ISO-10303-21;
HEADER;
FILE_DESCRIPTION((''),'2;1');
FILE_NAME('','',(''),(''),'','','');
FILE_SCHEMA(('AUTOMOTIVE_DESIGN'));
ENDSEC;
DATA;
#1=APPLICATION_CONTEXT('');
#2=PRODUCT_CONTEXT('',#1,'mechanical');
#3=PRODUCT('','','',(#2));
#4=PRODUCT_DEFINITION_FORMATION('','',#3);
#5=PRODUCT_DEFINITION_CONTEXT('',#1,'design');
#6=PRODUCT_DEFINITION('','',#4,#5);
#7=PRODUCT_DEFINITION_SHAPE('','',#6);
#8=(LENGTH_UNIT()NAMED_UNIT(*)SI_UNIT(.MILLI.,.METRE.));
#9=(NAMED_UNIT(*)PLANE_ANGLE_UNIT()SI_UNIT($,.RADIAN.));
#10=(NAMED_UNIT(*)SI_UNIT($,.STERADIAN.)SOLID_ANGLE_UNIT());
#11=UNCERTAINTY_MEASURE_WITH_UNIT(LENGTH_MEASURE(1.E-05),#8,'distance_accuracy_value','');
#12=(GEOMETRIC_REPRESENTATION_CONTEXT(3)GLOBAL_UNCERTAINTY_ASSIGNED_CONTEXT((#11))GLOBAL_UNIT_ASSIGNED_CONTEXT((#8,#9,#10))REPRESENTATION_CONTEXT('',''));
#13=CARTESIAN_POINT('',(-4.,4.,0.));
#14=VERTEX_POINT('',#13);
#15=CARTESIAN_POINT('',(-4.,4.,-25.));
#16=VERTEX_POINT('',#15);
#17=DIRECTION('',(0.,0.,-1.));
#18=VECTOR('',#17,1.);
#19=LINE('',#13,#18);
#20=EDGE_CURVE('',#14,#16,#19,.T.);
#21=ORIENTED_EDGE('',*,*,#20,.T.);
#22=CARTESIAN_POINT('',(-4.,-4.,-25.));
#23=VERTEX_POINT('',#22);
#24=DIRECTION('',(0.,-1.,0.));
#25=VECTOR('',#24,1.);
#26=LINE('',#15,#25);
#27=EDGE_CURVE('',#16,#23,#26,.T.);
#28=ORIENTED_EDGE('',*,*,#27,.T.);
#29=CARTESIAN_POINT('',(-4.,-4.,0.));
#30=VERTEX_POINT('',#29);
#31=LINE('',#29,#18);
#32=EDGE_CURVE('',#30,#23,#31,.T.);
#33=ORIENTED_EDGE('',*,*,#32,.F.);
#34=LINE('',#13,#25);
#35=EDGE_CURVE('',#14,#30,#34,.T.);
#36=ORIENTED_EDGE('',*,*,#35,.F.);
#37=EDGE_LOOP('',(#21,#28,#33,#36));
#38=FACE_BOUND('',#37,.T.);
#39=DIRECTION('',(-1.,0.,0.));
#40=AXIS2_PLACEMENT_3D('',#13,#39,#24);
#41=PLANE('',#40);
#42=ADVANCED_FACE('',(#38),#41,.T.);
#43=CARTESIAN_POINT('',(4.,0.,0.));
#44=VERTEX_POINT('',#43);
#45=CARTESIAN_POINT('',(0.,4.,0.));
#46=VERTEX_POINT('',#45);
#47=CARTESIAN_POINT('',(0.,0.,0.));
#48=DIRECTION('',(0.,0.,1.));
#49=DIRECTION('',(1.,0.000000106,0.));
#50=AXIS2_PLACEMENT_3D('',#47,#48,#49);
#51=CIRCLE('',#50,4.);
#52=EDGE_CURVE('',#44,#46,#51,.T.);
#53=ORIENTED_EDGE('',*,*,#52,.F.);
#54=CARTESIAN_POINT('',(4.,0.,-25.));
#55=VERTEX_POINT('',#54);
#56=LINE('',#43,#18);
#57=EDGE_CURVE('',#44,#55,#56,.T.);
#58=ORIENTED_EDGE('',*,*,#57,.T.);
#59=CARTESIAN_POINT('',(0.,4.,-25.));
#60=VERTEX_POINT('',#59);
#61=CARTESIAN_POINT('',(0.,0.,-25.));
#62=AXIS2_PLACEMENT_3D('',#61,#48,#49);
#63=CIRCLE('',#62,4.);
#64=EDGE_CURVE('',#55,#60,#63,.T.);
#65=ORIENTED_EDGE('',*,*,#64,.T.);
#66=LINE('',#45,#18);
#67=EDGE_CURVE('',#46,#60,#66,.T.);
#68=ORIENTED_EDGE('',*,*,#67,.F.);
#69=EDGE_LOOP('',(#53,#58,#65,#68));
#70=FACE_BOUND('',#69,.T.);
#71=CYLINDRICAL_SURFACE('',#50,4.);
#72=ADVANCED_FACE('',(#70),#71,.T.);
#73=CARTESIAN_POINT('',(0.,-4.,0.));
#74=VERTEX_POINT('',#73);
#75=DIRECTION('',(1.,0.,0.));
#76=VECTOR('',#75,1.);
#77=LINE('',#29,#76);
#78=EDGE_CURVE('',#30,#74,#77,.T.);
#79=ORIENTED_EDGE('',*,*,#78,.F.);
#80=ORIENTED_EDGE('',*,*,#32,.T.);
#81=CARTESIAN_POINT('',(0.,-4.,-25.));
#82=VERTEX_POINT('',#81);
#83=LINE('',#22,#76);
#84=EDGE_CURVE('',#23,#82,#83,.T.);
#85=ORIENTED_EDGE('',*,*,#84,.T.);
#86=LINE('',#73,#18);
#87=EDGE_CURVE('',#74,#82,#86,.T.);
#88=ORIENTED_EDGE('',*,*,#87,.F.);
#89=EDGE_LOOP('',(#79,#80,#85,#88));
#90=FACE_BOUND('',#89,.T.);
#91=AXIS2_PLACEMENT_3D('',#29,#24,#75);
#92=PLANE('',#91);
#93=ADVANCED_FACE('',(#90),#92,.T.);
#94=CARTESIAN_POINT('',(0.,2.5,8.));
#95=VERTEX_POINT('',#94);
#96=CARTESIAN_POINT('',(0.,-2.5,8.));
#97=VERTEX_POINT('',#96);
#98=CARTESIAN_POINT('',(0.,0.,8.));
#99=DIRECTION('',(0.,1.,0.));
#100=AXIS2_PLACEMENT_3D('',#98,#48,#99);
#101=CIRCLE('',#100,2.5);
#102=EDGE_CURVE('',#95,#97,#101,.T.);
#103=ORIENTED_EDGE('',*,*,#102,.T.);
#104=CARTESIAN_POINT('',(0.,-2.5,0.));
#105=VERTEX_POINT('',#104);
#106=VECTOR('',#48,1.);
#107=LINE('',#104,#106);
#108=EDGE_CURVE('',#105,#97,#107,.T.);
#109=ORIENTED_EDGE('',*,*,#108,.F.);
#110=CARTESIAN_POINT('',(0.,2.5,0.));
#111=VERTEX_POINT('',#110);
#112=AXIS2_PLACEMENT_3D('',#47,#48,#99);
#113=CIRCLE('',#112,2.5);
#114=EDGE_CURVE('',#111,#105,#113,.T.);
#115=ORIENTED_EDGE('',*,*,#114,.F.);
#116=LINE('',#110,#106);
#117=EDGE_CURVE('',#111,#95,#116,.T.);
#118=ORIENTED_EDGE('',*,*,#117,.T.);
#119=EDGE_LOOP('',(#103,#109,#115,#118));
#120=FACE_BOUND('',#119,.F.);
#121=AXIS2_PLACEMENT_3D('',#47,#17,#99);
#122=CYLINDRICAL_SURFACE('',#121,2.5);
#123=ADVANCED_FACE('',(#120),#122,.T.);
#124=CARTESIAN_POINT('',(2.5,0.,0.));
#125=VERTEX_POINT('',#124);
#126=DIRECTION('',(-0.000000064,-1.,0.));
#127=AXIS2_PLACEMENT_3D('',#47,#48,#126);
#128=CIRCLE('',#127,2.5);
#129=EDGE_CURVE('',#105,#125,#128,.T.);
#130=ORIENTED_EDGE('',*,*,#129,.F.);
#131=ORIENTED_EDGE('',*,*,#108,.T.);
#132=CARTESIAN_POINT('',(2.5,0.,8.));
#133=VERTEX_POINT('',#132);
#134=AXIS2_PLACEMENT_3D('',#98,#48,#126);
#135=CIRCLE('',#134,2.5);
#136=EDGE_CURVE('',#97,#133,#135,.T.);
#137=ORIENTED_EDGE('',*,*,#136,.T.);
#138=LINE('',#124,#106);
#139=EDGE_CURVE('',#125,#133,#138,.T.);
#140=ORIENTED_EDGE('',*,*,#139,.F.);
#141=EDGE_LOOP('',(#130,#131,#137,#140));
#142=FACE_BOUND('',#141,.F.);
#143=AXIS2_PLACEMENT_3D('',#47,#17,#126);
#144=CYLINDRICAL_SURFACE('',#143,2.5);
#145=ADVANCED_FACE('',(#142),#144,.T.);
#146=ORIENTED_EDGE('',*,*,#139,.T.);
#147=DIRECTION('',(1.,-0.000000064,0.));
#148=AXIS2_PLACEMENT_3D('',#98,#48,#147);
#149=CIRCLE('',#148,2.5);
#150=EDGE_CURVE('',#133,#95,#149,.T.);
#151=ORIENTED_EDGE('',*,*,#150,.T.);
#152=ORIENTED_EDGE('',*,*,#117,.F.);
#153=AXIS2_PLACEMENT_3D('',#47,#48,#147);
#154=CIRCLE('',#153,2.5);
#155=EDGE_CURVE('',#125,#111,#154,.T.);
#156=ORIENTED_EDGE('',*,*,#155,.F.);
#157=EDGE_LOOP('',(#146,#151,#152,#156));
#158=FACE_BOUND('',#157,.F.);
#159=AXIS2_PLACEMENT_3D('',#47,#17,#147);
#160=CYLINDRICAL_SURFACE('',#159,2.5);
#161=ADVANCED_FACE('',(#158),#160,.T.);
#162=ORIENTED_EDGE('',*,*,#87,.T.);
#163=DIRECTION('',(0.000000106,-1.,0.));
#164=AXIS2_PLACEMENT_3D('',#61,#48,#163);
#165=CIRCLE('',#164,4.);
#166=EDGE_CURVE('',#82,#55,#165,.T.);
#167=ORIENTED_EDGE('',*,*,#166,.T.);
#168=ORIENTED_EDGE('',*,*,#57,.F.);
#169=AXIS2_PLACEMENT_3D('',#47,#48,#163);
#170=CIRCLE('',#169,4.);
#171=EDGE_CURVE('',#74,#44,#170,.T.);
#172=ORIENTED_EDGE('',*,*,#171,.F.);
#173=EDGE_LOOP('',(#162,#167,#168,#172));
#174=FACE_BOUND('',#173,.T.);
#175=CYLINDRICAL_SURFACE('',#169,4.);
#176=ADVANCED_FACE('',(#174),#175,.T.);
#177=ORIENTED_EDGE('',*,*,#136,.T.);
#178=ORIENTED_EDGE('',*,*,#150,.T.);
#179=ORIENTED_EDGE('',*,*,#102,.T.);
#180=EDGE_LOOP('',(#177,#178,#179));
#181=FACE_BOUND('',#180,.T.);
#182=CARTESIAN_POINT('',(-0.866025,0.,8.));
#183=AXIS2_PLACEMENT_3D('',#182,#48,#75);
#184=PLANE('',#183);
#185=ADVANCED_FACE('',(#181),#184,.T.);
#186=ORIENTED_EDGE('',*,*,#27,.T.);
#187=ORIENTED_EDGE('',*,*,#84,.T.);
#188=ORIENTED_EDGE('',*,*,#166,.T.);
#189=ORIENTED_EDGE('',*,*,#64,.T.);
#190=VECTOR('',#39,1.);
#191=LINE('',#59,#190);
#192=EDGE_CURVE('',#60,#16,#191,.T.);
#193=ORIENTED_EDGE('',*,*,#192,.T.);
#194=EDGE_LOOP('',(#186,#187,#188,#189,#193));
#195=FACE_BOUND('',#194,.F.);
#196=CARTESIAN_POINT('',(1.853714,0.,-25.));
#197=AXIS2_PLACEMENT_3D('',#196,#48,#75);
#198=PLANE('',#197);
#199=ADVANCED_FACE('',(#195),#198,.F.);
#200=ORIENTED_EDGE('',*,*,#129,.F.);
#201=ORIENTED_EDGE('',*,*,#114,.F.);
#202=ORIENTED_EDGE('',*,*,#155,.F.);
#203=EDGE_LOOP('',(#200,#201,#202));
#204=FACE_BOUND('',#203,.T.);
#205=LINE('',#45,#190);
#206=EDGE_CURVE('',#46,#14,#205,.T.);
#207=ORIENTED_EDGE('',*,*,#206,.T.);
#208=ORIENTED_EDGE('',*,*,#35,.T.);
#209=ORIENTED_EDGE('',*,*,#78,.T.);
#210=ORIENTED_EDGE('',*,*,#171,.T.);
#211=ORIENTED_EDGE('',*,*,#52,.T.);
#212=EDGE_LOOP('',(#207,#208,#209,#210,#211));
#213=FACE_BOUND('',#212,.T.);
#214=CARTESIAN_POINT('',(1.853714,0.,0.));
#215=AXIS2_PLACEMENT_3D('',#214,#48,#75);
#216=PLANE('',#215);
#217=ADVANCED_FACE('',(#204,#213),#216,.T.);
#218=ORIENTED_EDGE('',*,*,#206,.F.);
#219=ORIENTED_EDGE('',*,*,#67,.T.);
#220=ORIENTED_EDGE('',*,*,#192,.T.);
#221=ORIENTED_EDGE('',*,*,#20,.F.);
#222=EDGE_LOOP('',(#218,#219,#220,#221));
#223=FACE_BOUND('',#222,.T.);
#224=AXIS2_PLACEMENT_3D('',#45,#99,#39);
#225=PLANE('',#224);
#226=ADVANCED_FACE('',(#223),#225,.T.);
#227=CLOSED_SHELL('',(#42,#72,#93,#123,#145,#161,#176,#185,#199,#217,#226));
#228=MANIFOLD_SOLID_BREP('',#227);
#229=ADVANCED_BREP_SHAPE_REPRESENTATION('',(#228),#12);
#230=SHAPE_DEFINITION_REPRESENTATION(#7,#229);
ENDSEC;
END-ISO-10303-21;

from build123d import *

# Parameters (mm, degrees)
F1_DEPTH = 25
F2_DEPTH = 8


with BuildPart() as f1:
    # F0 (on Top) → F1 (new body)
    with BuildSketch(Plane.XY):
        with BuildLine():
            ThreePointArc((0, -4), (2.828427, -2.828427), (4, 0))
            ThreePointArc((4, 0), (2.828427, 2.828427), (0, 4))
            Line((0, 4), (0, 2.5))
            ThreePointArc((0, 2.5), (1.767767, 1.767767), (2.5, 0))
            ThreePointArc((2.5, 0), (1.767767, -1.767767), (0, -2.5))
            Line((0, -2.5), (0, -4))
        make_face()
        with BuildLine():
            Line((0, 2.5), (0, 4))
            ThreePointArc((0, 4), (-2.828427, 2.828427), (-4, 0))
            ThreePointArc((-4, 0), (-2.828427, -2.828427), (0, -4))
            Line((0, -4), (0, -2.5))
            ThreePointArc((0, -2.5), (-2.5, 0), (0, 2.5))
        make_face()
        with BuildLine():
            Line((-4, -4), (0, -4))
            ThreePointArc((0, -4), (-2.828427, -2.828427), (-4, 0))
            Line((-4, 0), (-4, -4))
        make_face()
        with BuildLine():
            ThreePointArc((-4, 0), (-2.828427, 2.828427), (0, 4))
            Line((0, 4), (-4, 4))
            Line((-4, 4), (-4, 0))
        make_face()
        with BuildLine():
            ThreePointArc((2.5, 0), (1.767767, 1.767767), (0, 2.5))
            Line((0, 2.5), (0, -2.5))
            ThreePointArc((0, -2.5), (1.767767, -1.767767), (2.5, 0))
        make_face()
        with BuildLine():
            Line((0, -2.5), (0, 2.5))
            ThreePointArc((0, 2.5), (-2.5, 0), (0, -2.5))
        make_face()
    extrude(amount=-F1_DEPTH)

    # F0 (on Top) → F2 (join)
    with BuildSketch(Plane.XY):
        with BuildLine():
            Line((0, -2.5), (0, 2.5))
            ThreePointArc((0, 2.5), (-2.5, 0), (0, -2.5))
        make_face()
        with BuildLine():
            ThreePointArc((2.5, 0), (1.767767, 1.767767), (0, 2.5))
            Line((0, 2.5), (0, -2.5))
            ThreePointArc((0, -2.5), (1.767767, -1.767767), (2.5, 0))
        make_face()
    extrude(amount=F2_DEPTH)


solid = f1.part
